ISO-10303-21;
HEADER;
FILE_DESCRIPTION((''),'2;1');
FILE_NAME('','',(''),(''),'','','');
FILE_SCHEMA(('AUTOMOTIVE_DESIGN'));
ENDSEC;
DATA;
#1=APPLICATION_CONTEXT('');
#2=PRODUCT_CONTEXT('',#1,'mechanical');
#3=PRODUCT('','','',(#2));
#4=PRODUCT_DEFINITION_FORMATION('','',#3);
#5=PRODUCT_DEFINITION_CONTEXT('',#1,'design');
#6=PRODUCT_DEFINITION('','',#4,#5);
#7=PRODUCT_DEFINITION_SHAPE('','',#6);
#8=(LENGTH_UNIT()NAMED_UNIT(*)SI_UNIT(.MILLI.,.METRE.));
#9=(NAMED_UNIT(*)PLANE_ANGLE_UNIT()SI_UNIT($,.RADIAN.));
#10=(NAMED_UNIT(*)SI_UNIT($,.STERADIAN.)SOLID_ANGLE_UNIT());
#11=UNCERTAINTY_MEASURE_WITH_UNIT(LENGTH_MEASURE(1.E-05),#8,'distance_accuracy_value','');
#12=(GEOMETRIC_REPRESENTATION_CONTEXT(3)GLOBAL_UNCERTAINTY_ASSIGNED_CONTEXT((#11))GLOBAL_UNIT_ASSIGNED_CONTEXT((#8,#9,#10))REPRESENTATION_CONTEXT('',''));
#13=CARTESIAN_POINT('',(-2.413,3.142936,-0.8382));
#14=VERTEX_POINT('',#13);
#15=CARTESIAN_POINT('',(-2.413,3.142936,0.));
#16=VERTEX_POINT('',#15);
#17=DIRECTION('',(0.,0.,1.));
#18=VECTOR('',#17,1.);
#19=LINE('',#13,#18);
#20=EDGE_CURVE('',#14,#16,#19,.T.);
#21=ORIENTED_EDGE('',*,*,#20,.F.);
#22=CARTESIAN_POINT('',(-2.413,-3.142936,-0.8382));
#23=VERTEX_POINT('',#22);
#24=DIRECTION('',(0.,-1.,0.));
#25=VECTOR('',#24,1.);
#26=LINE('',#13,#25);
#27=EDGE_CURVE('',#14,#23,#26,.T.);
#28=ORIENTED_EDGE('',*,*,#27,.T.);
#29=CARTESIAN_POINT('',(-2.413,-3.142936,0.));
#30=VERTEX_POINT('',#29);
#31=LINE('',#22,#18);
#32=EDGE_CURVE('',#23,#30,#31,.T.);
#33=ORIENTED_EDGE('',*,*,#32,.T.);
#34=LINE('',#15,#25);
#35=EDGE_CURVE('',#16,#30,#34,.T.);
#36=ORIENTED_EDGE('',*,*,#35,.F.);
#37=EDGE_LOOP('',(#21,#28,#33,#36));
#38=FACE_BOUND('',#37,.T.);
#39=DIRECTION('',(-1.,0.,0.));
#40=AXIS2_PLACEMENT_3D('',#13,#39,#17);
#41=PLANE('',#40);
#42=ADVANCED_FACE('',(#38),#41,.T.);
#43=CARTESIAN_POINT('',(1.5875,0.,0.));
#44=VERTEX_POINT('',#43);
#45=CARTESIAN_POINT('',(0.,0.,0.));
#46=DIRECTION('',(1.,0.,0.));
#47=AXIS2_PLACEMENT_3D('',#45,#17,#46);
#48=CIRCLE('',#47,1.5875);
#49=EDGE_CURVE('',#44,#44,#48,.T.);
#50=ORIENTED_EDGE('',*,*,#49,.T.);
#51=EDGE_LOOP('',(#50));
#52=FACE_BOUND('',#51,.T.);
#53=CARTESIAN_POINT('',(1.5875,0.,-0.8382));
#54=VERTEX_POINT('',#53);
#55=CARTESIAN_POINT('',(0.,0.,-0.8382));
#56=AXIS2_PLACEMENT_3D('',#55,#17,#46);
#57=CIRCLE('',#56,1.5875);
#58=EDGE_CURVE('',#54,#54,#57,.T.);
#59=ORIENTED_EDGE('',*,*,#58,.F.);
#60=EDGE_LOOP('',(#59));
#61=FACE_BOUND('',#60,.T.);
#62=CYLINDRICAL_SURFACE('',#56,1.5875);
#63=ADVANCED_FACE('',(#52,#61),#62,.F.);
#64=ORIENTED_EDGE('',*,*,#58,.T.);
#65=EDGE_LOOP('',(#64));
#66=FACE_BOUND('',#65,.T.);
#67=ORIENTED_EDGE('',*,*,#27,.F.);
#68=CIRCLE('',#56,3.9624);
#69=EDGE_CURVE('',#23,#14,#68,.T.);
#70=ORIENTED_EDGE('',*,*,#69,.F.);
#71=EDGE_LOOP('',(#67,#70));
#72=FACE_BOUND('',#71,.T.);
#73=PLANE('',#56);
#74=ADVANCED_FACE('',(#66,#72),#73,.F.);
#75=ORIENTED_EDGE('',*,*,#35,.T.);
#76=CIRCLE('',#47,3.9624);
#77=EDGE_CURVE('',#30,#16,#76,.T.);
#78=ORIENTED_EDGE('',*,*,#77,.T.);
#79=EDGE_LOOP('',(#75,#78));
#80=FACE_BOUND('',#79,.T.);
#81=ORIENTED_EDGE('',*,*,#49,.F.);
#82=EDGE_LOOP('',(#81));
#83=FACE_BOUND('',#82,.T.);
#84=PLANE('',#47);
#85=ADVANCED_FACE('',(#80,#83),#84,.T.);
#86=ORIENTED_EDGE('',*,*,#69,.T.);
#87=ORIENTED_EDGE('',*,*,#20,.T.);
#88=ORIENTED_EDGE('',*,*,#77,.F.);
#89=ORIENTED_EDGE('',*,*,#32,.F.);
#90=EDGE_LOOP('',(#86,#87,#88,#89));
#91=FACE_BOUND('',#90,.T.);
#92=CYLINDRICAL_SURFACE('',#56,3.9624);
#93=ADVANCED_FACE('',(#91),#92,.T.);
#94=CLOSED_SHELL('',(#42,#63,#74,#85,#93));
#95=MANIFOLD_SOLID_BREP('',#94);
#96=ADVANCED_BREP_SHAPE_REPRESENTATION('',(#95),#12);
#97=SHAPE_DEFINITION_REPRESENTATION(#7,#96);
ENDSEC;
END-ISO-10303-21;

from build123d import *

# Parameters (mm, degrees)
SKETCH1_R      = 1.5875
EXTRUDE1_DEPTH = 0.8382


with BuildPart() as part:
    # Sketch1 → Extrude1 (new body)
    with BuildSketch(Plane.XY):
        with BuildLine():
            Line((-2.413, 3.142935691), (-2.413, -3.142935691))
            ThreePointArc((-2.413, -3.142935691), (3.9624, 0), (-2.413, 3.142935691))
        make_face()
        Circle(SKETCH1_R, mode=Mode.SUBTRACT)
    extrude(amount=-EXTRUDE1_DEPTH)


solid = part.part
